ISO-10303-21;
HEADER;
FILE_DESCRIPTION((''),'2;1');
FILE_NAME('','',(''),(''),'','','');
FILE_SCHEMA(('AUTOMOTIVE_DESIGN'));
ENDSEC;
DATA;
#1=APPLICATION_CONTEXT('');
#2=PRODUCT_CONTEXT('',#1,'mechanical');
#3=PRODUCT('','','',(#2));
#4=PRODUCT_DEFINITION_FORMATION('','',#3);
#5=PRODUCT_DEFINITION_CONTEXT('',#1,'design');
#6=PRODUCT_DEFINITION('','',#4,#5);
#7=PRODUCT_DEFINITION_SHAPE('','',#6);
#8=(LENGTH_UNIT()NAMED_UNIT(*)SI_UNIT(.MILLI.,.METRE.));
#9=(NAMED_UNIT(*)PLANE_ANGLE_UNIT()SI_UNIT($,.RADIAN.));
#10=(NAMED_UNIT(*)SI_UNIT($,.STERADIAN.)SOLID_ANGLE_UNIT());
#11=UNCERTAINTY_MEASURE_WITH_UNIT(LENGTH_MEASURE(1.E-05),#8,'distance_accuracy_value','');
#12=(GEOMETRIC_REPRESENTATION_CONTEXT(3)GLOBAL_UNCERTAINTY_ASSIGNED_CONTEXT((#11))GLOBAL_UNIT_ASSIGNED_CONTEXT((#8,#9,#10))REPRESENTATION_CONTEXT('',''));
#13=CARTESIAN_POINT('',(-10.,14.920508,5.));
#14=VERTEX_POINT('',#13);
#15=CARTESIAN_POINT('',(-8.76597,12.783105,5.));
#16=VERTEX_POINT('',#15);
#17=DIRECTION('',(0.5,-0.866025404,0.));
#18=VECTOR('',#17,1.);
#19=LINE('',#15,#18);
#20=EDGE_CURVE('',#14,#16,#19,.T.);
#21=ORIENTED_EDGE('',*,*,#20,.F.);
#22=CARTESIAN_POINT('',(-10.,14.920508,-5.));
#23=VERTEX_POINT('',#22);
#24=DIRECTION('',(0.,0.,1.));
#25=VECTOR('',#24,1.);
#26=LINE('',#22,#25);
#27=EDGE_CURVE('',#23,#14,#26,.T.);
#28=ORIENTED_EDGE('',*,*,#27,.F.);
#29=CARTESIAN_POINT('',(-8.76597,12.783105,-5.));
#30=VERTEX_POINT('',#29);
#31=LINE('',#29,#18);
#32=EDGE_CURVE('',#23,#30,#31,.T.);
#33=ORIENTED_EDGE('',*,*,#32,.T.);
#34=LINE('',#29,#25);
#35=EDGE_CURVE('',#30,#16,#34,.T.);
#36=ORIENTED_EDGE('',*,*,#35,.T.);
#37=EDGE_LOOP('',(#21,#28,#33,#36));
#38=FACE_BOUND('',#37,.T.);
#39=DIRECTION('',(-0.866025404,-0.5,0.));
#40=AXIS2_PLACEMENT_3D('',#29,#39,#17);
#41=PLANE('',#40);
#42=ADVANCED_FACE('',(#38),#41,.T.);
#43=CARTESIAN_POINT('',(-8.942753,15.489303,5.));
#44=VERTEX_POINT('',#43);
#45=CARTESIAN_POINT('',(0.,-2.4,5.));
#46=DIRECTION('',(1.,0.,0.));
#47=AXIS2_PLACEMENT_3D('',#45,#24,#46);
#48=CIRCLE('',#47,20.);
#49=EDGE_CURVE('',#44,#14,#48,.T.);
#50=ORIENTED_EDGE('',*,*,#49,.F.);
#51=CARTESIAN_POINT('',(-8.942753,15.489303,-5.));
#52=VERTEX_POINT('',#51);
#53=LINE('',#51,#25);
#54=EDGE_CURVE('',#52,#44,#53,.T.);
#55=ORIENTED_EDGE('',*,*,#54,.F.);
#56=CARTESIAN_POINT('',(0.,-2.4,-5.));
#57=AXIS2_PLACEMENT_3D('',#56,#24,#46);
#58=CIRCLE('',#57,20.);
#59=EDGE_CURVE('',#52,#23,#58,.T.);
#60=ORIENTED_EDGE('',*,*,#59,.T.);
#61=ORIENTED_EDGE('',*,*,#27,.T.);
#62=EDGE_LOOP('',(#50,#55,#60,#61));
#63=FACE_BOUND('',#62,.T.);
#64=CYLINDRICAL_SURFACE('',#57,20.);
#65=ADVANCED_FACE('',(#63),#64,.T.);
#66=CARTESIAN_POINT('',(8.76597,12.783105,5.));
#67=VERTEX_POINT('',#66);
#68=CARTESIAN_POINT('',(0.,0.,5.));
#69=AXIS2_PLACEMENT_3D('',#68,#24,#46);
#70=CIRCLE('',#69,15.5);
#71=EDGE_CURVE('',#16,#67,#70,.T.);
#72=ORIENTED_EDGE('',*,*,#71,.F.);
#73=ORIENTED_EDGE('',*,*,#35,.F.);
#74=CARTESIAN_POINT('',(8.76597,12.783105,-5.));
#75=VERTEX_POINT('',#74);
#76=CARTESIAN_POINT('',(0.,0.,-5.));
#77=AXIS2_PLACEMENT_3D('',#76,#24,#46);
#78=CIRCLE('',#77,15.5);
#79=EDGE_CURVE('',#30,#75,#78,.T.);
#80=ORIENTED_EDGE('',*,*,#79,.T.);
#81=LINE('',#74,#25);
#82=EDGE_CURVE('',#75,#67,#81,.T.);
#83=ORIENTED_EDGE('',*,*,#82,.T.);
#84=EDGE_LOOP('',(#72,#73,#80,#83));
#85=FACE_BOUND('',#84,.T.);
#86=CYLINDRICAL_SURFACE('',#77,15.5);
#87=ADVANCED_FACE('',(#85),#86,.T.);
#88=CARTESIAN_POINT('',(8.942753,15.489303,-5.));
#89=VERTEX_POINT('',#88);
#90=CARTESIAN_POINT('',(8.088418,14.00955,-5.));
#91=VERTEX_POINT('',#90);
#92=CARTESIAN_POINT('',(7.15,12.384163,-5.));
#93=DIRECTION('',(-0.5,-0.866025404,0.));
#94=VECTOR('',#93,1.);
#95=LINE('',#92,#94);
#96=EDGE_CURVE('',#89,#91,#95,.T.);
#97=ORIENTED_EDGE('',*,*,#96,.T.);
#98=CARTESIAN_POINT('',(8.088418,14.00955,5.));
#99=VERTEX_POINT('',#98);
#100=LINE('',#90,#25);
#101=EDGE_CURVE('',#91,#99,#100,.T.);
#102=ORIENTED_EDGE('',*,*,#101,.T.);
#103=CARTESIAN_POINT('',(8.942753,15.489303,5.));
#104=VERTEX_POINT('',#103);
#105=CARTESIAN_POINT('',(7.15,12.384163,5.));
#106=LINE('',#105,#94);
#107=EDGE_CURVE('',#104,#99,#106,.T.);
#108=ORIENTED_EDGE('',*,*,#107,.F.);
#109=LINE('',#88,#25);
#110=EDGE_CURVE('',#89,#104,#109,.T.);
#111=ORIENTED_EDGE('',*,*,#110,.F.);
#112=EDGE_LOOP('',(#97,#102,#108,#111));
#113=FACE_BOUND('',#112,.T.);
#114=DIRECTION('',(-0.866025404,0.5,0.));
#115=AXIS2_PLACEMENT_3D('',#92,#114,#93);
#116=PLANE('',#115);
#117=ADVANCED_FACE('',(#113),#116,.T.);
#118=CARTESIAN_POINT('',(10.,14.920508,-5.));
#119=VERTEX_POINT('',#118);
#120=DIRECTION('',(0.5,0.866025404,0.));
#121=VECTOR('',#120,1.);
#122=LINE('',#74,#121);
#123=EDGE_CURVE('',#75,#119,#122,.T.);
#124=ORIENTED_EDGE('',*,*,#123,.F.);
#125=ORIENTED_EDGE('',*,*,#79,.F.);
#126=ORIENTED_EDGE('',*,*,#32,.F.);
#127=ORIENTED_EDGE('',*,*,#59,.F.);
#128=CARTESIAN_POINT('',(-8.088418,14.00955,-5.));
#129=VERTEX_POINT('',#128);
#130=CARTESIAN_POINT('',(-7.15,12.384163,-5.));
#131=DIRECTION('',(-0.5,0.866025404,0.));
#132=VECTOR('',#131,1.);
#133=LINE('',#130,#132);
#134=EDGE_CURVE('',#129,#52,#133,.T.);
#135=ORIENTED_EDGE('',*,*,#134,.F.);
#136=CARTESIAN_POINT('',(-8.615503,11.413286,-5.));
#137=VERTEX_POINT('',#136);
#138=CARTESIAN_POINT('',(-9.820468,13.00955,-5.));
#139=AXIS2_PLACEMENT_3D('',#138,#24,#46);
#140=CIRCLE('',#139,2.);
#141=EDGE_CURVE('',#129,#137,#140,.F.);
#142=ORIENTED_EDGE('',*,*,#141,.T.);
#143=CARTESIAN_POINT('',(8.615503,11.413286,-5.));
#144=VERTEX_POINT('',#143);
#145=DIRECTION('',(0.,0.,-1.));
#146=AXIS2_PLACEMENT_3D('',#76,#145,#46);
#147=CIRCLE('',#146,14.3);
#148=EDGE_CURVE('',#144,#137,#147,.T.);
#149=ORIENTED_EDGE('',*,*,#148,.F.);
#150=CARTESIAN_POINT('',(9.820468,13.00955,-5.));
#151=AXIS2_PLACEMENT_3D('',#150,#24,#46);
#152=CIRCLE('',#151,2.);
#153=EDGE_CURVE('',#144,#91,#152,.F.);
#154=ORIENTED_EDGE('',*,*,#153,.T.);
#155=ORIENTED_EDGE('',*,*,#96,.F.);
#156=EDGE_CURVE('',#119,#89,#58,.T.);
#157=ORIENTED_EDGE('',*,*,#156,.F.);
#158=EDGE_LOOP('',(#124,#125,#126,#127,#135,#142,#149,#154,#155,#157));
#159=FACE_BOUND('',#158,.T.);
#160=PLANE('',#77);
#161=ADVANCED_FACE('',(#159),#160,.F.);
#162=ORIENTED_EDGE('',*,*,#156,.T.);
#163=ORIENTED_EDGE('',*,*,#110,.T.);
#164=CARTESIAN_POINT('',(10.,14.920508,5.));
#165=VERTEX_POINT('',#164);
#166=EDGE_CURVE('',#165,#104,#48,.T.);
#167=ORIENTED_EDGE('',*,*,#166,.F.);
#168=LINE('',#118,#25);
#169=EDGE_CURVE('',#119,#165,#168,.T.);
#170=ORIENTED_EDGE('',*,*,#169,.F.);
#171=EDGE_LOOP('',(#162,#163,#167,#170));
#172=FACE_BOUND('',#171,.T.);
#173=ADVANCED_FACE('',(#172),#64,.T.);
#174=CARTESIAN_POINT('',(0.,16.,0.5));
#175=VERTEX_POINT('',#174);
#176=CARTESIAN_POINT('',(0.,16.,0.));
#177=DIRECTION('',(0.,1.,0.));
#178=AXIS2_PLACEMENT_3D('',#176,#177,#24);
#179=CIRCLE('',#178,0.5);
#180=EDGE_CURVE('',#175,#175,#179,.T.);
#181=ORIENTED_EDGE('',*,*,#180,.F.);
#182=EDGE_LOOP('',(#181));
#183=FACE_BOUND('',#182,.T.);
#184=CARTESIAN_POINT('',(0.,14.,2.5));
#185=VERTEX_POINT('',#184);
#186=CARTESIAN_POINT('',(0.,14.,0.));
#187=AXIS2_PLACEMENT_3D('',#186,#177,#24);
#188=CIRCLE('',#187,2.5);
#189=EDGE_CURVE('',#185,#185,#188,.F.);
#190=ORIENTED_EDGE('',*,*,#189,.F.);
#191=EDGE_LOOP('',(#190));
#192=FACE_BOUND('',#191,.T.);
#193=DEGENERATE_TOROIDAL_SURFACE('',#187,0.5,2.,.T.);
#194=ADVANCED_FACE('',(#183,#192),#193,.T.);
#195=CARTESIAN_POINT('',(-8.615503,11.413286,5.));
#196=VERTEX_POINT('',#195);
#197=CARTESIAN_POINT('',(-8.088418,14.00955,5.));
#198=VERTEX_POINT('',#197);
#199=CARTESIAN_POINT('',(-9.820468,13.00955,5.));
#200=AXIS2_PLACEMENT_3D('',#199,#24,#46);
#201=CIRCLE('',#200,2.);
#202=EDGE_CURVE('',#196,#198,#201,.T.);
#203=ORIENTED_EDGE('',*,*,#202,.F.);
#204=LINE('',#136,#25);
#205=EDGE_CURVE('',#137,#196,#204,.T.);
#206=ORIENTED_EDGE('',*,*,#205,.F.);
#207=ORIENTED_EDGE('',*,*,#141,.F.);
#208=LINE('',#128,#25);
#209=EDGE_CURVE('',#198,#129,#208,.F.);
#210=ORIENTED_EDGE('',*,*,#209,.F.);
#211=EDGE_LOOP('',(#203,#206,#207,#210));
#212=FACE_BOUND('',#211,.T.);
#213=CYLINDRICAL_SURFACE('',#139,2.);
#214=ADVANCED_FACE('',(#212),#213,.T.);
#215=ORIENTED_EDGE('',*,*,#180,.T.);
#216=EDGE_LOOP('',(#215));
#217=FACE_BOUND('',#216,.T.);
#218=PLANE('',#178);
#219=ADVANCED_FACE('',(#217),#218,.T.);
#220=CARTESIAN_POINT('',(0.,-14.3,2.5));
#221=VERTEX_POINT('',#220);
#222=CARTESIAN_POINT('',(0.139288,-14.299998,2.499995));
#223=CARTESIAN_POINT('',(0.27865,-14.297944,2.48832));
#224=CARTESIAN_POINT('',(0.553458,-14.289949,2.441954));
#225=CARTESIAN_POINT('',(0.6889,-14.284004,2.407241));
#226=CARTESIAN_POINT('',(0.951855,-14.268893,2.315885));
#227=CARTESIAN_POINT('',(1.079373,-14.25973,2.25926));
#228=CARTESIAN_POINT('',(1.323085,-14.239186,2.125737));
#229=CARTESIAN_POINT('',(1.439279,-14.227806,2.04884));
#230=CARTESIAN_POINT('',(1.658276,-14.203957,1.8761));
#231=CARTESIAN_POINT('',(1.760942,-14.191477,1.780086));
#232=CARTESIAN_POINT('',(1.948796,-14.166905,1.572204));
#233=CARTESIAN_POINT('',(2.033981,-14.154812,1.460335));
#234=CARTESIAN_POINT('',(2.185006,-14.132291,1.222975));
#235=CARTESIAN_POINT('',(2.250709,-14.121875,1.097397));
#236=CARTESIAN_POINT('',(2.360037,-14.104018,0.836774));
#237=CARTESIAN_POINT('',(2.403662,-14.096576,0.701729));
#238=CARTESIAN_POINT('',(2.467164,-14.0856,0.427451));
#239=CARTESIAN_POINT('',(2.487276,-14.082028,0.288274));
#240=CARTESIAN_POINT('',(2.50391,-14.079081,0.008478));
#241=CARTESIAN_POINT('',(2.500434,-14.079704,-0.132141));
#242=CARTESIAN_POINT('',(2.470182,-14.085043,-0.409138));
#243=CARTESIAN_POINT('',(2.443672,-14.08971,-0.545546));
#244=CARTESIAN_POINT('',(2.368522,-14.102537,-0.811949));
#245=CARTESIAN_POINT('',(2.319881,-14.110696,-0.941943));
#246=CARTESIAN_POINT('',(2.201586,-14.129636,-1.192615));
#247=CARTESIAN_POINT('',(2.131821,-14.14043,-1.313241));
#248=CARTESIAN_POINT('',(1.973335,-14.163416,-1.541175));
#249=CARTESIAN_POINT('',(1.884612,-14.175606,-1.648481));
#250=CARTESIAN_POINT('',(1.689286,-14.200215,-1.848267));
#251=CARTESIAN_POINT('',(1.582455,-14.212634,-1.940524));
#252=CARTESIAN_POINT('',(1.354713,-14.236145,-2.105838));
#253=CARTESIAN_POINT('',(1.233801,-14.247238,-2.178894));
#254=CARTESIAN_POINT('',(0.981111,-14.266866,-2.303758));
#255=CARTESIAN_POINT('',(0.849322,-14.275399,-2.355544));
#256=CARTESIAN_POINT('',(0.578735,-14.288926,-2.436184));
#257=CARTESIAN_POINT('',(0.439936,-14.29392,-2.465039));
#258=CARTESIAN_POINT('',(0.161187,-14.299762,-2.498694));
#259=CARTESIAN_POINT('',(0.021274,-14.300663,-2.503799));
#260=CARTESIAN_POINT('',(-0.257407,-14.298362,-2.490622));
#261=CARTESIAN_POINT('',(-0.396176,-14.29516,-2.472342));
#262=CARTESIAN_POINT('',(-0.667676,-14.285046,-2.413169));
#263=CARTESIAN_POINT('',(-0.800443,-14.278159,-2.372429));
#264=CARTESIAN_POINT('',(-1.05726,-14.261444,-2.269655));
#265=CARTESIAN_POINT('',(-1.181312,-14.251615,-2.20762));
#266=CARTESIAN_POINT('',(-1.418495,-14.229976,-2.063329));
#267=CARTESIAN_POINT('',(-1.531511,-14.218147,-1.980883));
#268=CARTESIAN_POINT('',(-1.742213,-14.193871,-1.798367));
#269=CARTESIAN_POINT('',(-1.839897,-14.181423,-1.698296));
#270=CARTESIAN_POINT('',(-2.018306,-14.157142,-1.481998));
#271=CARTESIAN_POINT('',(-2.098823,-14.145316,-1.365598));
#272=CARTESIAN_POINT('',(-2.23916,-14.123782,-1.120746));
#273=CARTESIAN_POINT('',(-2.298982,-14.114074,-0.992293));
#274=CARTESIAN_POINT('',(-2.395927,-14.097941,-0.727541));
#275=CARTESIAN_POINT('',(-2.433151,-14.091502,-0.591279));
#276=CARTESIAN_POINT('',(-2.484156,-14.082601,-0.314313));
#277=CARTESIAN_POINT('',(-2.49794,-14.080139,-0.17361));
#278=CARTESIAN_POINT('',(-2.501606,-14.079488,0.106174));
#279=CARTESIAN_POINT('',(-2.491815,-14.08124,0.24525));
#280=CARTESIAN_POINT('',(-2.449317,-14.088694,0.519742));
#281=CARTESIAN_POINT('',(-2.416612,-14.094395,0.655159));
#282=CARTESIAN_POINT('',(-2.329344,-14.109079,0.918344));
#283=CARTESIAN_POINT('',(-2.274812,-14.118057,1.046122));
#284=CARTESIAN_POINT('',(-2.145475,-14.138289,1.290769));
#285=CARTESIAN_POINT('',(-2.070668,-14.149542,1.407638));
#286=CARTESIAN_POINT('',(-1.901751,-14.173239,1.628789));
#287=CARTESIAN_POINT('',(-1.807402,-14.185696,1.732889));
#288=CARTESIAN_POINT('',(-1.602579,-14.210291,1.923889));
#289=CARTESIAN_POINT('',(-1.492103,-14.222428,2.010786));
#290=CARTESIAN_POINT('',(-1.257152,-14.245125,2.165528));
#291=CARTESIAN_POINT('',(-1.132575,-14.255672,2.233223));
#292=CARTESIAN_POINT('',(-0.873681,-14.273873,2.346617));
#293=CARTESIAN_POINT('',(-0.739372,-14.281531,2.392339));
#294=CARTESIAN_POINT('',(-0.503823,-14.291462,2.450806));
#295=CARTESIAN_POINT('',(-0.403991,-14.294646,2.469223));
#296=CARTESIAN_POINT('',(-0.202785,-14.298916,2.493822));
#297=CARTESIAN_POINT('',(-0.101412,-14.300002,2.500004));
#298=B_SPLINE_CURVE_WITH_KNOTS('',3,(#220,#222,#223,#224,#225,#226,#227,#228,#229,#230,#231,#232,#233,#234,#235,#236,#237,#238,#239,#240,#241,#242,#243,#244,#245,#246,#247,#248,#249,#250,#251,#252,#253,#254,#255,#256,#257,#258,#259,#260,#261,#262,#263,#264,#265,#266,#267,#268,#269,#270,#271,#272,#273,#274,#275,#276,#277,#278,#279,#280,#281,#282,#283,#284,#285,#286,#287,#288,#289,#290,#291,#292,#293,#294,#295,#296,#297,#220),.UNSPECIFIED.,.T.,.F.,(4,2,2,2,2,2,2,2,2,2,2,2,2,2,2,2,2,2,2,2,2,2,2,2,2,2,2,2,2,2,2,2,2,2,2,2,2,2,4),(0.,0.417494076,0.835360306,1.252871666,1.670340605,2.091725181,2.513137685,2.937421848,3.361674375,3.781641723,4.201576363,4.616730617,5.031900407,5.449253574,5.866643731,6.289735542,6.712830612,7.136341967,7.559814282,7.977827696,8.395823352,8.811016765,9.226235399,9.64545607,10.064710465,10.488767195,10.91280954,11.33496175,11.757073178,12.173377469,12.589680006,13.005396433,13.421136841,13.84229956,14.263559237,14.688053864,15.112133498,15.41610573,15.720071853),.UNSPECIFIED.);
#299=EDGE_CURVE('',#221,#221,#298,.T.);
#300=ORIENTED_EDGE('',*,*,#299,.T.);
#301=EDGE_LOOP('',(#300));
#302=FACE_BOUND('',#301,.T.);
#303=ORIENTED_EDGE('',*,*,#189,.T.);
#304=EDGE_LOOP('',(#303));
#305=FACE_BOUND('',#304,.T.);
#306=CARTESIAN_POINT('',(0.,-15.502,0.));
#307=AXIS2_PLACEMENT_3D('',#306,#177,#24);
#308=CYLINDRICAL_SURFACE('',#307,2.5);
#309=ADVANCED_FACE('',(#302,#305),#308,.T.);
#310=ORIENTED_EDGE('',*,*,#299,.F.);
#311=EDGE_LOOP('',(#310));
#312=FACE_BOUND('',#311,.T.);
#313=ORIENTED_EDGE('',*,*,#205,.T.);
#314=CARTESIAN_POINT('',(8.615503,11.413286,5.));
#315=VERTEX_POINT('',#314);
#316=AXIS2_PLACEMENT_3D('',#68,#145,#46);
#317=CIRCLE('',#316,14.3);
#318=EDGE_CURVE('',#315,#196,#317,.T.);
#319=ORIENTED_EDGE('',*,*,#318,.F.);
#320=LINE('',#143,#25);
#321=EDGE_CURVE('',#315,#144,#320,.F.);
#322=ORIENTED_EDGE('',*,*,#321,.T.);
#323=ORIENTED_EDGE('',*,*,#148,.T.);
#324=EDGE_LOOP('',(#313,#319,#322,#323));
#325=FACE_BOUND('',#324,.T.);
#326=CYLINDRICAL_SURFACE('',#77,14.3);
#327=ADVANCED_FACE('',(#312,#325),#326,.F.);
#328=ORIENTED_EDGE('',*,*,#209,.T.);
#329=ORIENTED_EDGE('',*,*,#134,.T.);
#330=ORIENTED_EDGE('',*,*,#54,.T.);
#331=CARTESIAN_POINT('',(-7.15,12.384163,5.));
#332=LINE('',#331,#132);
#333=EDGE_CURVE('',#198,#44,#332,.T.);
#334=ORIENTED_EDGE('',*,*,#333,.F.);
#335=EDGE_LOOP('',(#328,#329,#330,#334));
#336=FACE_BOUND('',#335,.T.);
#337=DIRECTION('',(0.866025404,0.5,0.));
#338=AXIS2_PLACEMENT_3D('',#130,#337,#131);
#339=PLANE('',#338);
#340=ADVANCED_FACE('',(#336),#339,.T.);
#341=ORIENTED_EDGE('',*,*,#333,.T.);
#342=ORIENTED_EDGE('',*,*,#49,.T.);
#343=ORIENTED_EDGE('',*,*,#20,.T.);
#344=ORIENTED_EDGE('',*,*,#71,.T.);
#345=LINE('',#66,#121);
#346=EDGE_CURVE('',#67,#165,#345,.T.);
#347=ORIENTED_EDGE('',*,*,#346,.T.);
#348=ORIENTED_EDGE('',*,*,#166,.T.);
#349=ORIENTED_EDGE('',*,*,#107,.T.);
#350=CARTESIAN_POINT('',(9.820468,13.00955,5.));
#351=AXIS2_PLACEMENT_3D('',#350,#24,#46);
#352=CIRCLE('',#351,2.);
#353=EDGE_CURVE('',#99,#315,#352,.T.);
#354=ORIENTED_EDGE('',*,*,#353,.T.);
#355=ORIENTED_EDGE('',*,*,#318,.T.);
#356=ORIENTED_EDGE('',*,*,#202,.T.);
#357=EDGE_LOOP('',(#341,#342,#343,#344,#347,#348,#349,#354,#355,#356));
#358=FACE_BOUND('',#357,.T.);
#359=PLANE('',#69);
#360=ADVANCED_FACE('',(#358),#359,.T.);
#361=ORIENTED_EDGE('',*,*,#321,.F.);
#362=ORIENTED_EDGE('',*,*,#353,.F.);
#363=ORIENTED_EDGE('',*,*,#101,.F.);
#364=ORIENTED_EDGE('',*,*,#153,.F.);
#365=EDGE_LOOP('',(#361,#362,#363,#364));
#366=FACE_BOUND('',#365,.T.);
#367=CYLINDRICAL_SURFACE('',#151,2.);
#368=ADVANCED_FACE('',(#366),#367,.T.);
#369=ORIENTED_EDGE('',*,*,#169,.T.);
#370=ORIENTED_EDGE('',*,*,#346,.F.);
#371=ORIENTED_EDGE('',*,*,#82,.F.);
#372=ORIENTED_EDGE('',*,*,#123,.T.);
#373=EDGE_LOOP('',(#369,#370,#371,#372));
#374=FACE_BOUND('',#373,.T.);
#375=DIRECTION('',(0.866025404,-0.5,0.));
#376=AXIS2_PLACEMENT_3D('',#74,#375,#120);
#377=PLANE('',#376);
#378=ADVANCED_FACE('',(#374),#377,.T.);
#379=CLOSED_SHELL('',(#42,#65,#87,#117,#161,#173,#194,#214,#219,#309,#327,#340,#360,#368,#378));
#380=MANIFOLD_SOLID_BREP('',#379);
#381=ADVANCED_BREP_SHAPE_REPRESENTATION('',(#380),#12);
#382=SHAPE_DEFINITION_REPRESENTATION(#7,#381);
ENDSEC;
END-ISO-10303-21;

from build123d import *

# Parameters (mm, degrees)
BOSS_EXTRUDE1_DEPTH             = 5
BOSS_EXTRUDE1_DEPTH_BACK        = 5
SKETCH2_R                       = 2.5
BOSS_EXTRUDE2_DEPTH             = 16
BOSS_EXTRUDE2_DIRECTION_2_REACH = 24.483
FILLET2_R                       = 2
FILLET3_R                       = 2


with BuildPart() as part:
    # Sketch1 → Boss-Extrude1 (new, two sides: drawn at the far end of the back side and taken through both)
    with BuildSketch(Plane.XY.offset(-BOSS_EXTRUDE1_DEPTH_BACK)):
        with BuildLine():
            Line((7.15, 12.384163274), (8.942753286, 15.489303051))
            ThreePointArc((8.942753286, 15.489303051), (9.47564549, 15.212840275), (10, 14.920508076))
            Line((10, 14.920508076), (8.765969771, 12.783105021))
            ThreePointArc((8.765969771, 12.783105021), (0, -15.5), (-8.765969771, 12.783105021))
            Line((-8.765969771, 12.783105021), (-10, 14.920508076))
            ThreePointArc((-10, 14.920508076), (-9.47564549, 15.212840275), (-8.942753286, 15.489303051))
            Line((-8.942753286, 15.489303051), (-7.15, 12.384163274))
            ThreePointArc((-7.15, 12.384163274), (0, -14.3), (7.15, 12.384163274))
        make_face()
    extrude(amount=BOSS_EXTRUDE1_DEPTH + BOSS_EXTRUDE1_DEPTH_BACK)

    # Sketch2 → Boss-Extrude2 (add)
    with BuildSketch(Plane(origin=(0, 0, 0), x_dir=(1, 0, 0), z_dir=(0, 1, 0))):
        Circle(SKETCH2_R)
    extrude(amount=BOSS_EXTRUDE2_DEPTH)

    # Sketch2 → Boss-Extrude2 direction 2 (add, up to next)
    with BuildSketch(Plane(origin=(0, 0, 0), x_dir=(1, 0, 0), z_dir=(0, 1, 0)), mode=Mode.PRIVATE) as boss_extrude2_direction_2_sk1:
        Circle(SKETCH2_R)
    boss_extrude2_direction_2_tool1 = extrude(boss_extrude2_direction_2_sk1.sketch, amount=-BOSS_EXTRUDE2_DIRECTION_2_REACH, mode=Mode.PRIVATE) - part.part
    add(boss_extrude2_direction_2_tool1.solids().sort_by_distance((0, 0, 0))[0])

    # Fillet2
    fillet2_edges = [part.edges().sort_by_distance(p)[0] for p in [
        (-2.5, 16, 0),
    ]]
    fillet(fillet2_edges, radius=FILLET2_R)

    # Fillet3
    fillet3_edges = [part.edges().sort_by_distance(p)[0] for p in [
        (7.15, 12.384163274, 0),
        (-7.15, 12.384163274, 0),
    ]]
    fillet(fillet3_edges, radius=FILLET3_R)


solid = part.part
